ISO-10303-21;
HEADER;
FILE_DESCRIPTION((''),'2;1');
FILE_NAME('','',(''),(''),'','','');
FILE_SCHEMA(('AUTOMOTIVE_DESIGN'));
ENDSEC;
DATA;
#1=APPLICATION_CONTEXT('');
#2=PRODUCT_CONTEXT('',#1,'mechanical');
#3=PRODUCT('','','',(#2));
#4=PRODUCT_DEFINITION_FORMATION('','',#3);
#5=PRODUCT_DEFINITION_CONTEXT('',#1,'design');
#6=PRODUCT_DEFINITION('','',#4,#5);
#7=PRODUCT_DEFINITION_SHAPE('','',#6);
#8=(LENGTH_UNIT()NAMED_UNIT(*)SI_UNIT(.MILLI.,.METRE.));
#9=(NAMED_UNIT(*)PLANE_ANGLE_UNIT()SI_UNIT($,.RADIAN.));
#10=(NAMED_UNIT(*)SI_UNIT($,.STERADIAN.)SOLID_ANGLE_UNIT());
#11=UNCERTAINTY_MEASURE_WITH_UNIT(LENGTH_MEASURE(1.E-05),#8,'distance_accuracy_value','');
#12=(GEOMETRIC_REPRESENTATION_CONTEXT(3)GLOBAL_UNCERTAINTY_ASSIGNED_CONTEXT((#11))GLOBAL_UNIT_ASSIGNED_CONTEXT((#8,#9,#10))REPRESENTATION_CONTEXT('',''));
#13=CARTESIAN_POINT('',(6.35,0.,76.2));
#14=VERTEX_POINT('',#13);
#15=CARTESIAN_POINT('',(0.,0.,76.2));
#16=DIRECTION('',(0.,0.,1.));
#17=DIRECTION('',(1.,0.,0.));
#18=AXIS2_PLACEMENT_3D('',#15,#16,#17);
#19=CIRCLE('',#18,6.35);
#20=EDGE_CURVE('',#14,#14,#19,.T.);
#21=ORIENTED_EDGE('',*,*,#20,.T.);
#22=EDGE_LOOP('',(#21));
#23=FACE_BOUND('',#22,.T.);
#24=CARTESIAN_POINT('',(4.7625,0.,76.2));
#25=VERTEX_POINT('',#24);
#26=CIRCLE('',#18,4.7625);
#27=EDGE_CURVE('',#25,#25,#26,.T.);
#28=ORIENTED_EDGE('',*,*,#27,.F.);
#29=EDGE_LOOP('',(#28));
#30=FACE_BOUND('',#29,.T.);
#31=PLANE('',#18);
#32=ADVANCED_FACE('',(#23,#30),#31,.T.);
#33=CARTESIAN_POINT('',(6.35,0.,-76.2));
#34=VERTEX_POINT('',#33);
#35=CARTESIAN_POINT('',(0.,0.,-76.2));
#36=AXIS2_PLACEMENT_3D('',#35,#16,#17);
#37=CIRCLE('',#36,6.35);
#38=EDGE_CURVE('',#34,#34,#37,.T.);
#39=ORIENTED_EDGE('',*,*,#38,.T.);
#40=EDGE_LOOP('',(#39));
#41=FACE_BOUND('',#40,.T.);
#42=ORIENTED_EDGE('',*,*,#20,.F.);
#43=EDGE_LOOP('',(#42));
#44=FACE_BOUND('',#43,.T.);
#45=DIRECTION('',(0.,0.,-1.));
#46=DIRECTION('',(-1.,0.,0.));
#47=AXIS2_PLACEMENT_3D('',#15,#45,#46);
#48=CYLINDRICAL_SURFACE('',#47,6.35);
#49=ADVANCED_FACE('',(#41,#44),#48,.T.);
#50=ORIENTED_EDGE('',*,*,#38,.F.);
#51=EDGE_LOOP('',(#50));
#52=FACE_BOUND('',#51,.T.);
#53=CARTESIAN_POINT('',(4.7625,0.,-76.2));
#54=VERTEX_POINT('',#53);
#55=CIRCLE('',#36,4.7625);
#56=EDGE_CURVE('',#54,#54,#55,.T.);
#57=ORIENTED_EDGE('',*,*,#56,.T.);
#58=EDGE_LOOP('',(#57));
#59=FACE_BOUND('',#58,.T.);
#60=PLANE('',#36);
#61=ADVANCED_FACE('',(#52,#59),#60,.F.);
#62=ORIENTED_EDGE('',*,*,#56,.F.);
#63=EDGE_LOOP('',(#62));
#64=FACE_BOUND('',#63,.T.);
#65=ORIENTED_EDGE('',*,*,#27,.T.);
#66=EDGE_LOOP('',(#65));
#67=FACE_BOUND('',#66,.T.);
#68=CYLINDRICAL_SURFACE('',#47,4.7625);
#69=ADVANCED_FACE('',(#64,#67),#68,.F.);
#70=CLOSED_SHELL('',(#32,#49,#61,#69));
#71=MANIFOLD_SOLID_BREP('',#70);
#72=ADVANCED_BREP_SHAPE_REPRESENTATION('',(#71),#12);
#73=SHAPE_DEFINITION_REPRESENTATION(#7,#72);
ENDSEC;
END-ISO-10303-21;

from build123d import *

# Parameters (mm, degrees)
SKETCH1_R           = 6.35
SKETCH1_R_2         = 4.7625
BOSS_EXTRUDE1_DEPTH = 76.2


with BuildPart() as part:
    # Sketch1 → Boss-Extrude1 (new body, symmetric)
    with BuildSketch(Plane.XY):
        Circle(SKETCH1_R)
        Circle(SKETCH1_R_2, mode=Mode.SUBTRACT)
    extrude(amount=BOSS_EXTRUDE1_DEPTH, both=True)


solid = part.part
